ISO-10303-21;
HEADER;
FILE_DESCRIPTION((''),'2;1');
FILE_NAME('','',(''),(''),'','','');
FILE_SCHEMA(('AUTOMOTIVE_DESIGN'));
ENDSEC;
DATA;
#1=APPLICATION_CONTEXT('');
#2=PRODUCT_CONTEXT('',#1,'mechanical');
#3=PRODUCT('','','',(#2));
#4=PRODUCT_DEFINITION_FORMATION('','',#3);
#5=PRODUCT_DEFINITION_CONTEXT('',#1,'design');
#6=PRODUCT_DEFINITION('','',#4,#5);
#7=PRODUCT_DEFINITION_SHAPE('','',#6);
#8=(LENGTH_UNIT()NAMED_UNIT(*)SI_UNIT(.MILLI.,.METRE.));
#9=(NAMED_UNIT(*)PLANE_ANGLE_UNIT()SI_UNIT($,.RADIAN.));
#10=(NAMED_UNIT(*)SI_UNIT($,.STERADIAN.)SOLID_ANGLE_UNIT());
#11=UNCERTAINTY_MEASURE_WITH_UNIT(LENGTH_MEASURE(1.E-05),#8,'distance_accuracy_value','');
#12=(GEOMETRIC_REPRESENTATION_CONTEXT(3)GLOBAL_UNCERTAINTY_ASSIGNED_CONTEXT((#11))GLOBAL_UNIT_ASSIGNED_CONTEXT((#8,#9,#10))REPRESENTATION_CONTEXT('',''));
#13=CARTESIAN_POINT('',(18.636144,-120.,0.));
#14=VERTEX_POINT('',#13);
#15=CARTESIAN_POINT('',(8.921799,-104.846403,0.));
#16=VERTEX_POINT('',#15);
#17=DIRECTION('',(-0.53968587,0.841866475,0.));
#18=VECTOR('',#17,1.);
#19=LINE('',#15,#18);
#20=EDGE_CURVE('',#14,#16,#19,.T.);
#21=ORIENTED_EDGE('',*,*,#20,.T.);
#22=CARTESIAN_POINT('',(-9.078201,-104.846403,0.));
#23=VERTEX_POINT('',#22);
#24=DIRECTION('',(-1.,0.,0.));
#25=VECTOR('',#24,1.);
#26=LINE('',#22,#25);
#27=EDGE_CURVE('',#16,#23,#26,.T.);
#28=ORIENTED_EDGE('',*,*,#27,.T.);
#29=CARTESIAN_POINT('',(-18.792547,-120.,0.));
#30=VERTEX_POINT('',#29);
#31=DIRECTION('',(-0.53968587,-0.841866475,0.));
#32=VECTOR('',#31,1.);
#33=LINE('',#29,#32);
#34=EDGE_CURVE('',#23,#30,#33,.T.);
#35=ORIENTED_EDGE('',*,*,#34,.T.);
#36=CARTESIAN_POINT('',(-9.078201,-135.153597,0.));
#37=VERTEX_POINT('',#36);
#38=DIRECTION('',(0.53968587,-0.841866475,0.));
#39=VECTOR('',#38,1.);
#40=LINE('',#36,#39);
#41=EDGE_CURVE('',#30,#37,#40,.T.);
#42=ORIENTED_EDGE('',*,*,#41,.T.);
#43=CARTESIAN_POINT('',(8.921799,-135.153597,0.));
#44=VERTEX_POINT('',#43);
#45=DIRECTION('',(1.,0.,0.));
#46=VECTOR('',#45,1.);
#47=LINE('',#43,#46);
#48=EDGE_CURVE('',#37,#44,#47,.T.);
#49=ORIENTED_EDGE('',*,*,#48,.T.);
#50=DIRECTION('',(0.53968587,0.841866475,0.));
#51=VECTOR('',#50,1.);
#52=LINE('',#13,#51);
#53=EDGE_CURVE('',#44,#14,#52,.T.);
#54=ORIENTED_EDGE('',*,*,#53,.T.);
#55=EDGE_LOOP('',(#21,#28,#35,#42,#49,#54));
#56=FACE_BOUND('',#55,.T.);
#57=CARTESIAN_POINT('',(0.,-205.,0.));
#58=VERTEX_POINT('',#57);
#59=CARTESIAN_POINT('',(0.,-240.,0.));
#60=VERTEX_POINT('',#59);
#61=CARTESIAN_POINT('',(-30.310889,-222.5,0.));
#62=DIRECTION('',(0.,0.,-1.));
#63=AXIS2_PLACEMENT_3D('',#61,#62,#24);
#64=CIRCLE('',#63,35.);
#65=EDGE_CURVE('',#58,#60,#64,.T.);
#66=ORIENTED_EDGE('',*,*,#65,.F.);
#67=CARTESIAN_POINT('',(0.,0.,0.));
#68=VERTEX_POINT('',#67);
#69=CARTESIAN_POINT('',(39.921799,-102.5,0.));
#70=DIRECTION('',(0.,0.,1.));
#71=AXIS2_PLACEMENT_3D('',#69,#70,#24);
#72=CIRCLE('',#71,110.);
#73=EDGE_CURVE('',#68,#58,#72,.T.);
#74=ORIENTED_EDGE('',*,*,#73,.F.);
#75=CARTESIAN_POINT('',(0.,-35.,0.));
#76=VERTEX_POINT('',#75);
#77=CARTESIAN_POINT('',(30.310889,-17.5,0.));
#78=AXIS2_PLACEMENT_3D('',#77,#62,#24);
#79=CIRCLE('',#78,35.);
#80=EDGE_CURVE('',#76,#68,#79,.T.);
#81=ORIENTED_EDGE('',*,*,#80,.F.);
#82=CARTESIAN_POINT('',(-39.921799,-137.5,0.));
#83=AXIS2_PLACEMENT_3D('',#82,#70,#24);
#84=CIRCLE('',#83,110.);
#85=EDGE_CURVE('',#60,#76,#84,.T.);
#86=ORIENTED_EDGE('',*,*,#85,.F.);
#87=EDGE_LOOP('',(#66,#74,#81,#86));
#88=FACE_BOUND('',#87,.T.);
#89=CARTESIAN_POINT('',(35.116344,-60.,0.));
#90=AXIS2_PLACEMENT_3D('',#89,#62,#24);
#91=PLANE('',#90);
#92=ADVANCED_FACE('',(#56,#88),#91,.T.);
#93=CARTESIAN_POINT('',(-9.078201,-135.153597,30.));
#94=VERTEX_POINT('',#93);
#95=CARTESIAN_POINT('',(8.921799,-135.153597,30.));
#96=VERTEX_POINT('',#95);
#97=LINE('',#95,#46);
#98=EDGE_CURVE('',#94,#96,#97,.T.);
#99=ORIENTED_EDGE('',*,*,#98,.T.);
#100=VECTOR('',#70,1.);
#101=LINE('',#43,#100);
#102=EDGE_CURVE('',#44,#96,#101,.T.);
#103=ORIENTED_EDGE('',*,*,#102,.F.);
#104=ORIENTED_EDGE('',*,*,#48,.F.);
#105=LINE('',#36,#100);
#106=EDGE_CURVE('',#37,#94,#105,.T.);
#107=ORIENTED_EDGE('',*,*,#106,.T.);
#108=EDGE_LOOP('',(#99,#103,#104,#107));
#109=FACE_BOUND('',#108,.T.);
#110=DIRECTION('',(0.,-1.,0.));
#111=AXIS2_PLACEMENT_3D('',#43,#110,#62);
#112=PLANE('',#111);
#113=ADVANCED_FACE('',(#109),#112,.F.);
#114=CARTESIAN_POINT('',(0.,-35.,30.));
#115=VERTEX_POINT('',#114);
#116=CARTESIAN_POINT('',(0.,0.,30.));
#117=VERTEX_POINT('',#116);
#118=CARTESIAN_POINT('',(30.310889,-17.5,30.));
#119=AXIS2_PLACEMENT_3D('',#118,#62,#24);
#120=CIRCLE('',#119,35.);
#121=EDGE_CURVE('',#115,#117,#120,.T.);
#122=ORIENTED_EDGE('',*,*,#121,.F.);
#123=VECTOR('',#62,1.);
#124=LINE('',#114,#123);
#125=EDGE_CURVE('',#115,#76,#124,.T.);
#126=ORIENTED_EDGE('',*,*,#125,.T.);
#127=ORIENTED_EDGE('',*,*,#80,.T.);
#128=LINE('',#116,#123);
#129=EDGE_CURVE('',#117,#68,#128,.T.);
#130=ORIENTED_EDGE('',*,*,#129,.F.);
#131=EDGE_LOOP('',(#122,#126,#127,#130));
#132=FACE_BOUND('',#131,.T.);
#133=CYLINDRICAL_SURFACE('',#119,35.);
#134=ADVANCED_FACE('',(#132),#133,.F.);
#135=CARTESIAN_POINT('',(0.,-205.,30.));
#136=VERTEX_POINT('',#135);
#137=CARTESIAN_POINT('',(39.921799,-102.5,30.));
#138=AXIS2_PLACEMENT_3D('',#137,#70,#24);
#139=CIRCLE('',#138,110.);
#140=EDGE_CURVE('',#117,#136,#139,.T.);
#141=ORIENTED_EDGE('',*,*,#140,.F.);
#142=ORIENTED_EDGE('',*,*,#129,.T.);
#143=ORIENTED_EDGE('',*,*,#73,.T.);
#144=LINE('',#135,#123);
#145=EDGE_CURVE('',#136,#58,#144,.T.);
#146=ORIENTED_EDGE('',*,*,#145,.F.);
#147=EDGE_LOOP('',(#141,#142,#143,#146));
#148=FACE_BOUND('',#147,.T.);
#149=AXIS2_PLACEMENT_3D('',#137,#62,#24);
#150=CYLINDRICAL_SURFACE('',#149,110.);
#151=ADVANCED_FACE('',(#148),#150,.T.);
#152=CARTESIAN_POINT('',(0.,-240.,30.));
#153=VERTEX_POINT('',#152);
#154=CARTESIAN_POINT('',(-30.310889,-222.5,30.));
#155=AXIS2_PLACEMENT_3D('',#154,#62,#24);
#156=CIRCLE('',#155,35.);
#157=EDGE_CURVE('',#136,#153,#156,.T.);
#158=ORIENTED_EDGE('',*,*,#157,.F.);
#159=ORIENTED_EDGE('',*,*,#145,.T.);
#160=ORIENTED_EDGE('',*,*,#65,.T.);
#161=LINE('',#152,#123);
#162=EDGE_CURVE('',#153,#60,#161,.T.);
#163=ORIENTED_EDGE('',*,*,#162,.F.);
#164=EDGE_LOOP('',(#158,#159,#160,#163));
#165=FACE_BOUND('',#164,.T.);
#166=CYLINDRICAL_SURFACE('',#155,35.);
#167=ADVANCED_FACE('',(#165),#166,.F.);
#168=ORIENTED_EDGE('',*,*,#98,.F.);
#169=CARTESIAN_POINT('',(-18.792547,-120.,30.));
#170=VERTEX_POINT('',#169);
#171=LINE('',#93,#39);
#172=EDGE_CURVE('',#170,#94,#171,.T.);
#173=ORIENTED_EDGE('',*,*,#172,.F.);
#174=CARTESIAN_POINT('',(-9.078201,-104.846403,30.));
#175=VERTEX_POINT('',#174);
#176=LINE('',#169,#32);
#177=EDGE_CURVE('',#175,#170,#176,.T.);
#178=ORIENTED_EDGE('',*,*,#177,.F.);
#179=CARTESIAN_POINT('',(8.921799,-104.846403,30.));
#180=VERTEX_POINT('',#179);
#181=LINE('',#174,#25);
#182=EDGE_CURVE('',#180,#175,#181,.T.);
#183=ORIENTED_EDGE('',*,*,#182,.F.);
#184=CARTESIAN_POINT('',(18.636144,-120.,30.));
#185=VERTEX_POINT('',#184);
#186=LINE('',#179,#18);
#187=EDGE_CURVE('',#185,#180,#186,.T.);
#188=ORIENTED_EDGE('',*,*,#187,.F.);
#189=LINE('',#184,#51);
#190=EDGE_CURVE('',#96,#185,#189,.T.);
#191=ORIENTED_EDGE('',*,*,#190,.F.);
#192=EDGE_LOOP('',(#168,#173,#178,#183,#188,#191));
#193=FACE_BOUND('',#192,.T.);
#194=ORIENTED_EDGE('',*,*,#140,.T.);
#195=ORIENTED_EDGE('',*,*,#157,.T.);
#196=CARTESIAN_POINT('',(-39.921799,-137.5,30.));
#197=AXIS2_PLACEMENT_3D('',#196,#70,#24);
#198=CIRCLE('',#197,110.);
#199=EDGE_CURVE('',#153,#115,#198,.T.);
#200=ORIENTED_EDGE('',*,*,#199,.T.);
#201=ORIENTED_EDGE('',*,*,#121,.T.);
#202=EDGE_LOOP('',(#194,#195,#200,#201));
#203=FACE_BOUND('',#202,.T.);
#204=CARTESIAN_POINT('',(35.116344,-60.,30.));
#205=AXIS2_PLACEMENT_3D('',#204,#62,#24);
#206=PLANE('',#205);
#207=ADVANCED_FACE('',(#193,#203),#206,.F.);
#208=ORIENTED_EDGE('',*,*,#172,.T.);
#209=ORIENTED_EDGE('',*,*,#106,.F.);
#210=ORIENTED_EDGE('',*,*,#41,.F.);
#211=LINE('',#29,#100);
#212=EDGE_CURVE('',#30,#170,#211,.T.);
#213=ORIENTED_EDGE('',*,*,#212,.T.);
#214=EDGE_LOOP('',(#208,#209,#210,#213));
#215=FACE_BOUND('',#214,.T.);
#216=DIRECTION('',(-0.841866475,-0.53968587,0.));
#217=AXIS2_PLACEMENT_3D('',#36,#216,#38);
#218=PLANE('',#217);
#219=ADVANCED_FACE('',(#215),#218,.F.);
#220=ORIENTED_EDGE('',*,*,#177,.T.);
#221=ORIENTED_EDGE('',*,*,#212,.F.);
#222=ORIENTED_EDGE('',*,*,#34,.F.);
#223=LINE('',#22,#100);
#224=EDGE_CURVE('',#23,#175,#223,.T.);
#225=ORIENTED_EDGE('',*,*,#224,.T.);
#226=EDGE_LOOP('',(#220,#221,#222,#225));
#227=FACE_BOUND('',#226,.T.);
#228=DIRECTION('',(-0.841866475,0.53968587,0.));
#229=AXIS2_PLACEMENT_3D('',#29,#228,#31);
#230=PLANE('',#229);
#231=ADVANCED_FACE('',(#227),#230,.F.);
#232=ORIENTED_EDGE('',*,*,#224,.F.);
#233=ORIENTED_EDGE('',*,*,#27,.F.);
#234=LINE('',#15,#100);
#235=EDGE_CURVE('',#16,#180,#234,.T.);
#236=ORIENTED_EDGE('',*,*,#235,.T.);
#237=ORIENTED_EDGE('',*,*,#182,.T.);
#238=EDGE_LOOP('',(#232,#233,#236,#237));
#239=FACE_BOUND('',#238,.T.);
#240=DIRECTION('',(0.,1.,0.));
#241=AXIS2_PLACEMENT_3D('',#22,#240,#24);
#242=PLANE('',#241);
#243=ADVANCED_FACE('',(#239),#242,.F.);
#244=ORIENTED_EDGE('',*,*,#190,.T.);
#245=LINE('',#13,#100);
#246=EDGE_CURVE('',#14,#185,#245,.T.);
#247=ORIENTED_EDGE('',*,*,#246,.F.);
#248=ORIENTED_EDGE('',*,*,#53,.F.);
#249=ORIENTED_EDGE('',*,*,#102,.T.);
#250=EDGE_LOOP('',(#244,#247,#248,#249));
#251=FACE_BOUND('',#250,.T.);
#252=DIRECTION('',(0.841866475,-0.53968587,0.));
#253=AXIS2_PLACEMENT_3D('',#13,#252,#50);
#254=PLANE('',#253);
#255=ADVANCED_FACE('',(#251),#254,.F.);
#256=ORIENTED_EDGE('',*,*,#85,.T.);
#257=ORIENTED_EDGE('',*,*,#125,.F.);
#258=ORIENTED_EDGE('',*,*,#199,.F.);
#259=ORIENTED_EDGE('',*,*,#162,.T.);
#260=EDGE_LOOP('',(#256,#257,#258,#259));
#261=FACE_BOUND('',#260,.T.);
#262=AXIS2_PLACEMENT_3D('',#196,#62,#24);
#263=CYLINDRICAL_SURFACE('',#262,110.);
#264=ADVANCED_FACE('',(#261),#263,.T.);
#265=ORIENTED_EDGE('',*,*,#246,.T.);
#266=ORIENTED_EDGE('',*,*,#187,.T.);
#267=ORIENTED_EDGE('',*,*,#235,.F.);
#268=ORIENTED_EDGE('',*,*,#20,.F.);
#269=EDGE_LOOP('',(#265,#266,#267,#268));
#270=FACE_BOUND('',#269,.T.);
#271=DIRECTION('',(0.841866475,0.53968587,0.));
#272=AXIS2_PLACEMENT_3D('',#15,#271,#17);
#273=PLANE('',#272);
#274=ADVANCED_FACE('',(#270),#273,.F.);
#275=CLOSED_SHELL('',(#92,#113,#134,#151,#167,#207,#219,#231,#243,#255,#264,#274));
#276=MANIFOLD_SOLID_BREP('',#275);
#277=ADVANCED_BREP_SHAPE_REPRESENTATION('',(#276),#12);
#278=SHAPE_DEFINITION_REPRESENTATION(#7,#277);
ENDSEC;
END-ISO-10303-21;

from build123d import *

# Parameters (mm, degrees)
BOSS_EXTRU_2_DEPTH      = 30
ENL_V_MAT_EXTRU_1_DEPTH = 252.815317877


with BuildPart() as part:
    # Esquisse1 → Boss.-Extru.2 (new body)
    with BuildSketch(Plane.XY):
        with BuildLine():
            ThreePointArc((0, -205), (-70.078201443, -102.5), (0, 0))
            ThreePointArc((0, 0), (-4.689110868, -17.5), (0, -35))
            ThreePointArc((0, -35), (70.078201443, -137.5), (0, -240))
            ThreePointArc((0, -240), (4.689110868, -222.5), (0, -205))
        make_face()
    extrude(amount=BOSS_EXTRU_2_DEPTH)

    # Esquisse3 → Enlèv. mat.-Extru.1 (cut, through all)
    with BuildSketch(Plane.XY.offset(30)):
        Polygon((-9.078201443, -104.84640345), (8.921798557, -104.84640345), (18.636144216, -120), (8.921798557, -135.15359655), (-9.078201443, -135.15359655), (-18.792547103, -120), align=None)
    extrude(amount=-ENL_V_MAT_EXTRU_1_DEPTH, mode=Mode.SUBTRACT)


solid = part.part
